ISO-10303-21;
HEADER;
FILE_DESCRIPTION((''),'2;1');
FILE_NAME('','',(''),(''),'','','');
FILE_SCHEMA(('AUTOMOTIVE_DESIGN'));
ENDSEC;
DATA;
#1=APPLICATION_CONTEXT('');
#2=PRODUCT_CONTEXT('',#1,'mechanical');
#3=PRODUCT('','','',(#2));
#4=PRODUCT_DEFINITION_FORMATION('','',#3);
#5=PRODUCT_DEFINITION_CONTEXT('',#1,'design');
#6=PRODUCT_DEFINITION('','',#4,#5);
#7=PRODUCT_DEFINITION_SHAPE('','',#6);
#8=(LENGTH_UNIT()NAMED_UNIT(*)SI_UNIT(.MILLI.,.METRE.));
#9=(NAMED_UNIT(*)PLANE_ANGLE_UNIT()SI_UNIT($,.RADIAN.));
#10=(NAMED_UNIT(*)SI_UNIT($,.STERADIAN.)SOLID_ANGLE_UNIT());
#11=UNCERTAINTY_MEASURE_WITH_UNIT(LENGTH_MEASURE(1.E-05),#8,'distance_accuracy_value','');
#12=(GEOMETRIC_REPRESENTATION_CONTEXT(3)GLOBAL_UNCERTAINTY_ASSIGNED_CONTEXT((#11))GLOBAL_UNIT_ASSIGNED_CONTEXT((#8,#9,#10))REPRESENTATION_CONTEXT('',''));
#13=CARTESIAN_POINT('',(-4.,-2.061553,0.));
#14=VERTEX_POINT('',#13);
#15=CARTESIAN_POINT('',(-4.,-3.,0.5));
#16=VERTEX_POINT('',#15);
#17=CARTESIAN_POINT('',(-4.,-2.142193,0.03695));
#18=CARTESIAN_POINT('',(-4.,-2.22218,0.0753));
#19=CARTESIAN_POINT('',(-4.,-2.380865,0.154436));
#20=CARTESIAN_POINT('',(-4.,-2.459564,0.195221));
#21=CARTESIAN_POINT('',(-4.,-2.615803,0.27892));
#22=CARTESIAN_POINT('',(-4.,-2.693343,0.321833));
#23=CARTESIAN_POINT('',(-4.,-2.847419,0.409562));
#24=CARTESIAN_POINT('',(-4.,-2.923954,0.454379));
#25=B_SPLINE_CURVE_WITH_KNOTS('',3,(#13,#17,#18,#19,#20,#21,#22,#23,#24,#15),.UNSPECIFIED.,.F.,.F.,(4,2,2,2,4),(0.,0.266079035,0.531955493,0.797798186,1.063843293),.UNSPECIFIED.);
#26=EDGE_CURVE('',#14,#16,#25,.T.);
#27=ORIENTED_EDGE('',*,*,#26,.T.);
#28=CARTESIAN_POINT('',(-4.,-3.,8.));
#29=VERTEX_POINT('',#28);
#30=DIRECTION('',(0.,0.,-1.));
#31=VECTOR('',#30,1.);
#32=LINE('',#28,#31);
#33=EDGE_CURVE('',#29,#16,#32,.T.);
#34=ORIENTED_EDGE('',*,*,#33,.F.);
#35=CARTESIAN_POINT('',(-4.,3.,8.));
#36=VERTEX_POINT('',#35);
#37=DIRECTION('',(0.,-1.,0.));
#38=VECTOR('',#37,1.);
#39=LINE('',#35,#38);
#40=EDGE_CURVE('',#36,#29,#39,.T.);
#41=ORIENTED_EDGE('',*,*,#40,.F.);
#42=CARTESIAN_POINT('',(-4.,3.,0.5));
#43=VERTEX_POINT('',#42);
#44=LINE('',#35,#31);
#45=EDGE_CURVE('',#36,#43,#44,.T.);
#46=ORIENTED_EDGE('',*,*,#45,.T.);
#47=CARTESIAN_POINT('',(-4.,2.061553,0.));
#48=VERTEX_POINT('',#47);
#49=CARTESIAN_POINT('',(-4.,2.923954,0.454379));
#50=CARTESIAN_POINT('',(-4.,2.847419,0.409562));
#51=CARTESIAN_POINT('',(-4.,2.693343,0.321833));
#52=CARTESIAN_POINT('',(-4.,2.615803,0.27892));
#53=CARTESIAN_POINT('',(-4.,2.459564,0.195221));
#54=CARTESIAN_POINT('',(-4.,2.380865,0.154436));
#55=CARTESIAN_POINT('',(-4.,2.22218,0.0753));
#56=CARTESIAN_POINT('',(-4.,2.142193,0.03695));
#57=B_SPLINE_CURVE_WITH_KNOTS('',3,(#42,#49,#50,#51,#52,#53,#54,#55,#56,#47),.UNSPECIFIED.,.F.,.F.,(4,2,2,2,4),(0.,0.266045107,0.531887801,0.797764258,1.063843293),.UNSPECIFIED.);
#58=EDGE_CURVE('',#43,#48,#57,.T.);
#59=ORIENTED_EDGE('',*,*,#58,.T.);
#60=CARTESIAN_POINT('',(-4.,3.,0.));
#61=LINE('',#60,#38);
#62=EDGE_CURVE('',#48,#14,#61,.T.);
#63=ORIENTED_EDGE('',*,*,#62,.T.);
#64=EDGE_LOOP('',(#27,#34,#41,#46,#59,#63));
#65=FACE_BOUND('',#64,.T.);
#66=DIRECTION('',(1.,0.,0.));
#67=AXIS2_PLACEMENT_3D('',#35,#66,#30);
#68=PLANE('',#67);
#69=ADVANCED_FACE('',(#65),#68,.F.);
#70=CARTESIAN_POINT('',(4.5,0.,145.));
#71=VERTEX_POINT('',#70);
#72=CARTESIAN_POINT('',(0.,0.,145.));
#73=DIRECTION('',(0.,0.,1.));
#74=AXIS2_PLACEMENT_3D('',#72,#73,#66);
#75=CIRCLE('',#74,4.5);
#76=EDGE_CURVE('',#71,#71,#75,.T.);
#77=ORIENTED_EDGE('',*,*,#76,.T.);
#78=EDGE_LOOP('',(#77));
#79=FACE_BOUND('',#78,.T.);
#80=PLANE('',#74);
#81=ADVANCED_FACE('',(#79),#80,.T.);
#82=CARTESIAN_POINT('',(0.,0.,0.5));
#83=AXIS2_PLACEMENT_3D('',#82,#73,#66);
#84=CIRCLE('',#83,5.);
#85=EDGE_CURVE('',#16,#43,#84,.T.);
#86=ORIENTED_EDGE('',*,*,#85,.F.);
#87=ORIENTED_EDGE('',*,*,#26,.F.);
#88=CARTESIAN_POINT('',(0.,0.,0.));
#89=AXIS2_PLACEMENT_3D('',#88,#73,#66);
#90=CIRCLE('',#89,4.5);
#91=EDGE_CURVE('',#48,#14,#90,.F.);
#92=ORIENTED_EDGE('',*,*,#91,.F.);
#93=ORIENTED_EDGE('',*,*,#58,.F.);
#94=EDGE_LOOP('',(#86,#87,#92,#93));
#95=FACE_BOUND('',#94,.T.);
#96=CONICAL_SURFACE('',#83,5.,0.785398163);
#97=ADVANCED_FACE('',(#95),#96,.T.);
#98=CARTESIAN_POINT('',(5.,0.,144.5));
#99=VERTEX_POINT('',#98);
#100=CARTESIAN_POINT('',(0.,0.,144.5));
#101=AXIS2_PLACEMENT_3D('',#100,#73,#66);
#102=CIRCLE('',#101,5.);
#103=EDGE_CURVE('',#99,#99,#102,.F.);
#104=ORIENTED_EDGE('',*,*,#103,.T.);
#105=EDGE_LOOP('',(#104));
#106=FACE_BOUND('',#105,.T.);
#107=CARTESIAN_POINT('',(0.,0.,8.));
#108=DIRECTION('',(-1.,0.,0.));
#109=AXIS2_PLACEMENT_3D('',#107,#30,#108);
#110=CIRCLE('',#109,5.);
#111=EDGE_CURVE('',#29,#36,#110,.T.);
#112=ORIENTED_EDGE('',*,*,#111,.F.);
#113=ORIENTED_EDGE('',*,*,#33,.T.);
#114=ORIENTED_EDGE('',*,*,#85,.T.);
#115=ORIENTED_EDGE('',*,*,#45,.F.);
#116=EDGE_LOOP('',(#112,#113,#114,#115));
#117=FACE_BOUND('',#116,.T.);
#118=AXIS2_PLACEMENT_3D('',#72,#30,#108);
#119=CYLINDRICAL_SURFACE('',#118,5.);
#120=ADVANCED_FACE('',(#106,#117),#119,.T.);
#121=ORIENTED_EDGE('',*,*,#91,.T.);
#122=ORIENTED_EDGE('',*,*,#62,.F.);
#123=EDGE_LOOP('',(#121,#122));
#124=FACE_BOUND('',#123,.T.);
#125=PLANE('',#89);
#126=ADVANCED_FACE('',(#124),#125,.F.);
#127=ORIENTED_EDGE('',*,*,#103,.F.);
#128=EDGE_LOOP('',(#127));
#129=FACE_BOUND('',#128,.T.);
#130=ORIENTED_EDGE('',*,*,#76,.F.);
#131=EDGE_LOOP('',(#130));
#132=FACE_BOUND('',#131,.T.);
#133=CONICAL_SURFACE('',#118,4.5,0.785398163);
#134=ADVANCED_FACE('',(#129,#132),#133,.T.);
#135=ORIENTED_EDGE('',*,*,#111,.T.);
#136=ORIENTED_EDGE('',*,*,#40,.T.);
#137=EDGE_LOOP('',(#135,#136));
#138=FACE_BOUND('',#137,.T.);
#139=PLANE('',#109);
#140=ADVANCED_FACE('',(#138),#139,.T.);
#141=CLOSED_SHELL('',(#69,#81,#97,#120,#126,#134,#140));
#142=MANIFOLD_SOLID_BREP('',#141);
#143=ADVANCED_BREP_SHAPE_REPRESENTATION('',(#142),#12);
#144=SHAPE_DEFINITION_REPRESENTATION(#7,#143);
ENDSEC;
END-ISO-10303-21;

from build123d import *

# Parameters (mm, degrees)
SKETCH1_R           = 5
BOSS_EXTRUDE1_DEPTH = 145
CUT_EXTRUDE1_DEPTH  = 8
CHAMFER1_SIZE       = 0.5


with BuildPart() as part:
    # Sketch1 → Boss-Extrude1 (new body)
    with BuildSketch(Plane.XY):
        Circle(SKETCH1_R)
    extrude(amount=BOSS_EXTRUDE1_DEPTH)

    # Sketch2 → Cut-Extrude1 (cut)
    with BuildSketch(Plane(origin=(0, 0, 0), x_dir=(-1, 0, 0), z_dir=(0, 0, -1))):
        with BuildLine():
            Line((4, 3), (4, -3))
            ThreePointArc((4, -3), (5, 0), (4, 3))
        make_face()
    extrude(amount=-CUT_EXTRUDE1_DEPTH, mode=Mode.SUBTRACT)

    # Chamfer1
    chamfer1_edges = [part.edges().sort_by_distance(p)[0] for p in [
        (-5, 0, 145),
        (1.58113883, 4.74341649, 0),
    ]]
    chamfer(chamfer1_edges, length=CHAMFER1_SIZE)


solid = part.part
